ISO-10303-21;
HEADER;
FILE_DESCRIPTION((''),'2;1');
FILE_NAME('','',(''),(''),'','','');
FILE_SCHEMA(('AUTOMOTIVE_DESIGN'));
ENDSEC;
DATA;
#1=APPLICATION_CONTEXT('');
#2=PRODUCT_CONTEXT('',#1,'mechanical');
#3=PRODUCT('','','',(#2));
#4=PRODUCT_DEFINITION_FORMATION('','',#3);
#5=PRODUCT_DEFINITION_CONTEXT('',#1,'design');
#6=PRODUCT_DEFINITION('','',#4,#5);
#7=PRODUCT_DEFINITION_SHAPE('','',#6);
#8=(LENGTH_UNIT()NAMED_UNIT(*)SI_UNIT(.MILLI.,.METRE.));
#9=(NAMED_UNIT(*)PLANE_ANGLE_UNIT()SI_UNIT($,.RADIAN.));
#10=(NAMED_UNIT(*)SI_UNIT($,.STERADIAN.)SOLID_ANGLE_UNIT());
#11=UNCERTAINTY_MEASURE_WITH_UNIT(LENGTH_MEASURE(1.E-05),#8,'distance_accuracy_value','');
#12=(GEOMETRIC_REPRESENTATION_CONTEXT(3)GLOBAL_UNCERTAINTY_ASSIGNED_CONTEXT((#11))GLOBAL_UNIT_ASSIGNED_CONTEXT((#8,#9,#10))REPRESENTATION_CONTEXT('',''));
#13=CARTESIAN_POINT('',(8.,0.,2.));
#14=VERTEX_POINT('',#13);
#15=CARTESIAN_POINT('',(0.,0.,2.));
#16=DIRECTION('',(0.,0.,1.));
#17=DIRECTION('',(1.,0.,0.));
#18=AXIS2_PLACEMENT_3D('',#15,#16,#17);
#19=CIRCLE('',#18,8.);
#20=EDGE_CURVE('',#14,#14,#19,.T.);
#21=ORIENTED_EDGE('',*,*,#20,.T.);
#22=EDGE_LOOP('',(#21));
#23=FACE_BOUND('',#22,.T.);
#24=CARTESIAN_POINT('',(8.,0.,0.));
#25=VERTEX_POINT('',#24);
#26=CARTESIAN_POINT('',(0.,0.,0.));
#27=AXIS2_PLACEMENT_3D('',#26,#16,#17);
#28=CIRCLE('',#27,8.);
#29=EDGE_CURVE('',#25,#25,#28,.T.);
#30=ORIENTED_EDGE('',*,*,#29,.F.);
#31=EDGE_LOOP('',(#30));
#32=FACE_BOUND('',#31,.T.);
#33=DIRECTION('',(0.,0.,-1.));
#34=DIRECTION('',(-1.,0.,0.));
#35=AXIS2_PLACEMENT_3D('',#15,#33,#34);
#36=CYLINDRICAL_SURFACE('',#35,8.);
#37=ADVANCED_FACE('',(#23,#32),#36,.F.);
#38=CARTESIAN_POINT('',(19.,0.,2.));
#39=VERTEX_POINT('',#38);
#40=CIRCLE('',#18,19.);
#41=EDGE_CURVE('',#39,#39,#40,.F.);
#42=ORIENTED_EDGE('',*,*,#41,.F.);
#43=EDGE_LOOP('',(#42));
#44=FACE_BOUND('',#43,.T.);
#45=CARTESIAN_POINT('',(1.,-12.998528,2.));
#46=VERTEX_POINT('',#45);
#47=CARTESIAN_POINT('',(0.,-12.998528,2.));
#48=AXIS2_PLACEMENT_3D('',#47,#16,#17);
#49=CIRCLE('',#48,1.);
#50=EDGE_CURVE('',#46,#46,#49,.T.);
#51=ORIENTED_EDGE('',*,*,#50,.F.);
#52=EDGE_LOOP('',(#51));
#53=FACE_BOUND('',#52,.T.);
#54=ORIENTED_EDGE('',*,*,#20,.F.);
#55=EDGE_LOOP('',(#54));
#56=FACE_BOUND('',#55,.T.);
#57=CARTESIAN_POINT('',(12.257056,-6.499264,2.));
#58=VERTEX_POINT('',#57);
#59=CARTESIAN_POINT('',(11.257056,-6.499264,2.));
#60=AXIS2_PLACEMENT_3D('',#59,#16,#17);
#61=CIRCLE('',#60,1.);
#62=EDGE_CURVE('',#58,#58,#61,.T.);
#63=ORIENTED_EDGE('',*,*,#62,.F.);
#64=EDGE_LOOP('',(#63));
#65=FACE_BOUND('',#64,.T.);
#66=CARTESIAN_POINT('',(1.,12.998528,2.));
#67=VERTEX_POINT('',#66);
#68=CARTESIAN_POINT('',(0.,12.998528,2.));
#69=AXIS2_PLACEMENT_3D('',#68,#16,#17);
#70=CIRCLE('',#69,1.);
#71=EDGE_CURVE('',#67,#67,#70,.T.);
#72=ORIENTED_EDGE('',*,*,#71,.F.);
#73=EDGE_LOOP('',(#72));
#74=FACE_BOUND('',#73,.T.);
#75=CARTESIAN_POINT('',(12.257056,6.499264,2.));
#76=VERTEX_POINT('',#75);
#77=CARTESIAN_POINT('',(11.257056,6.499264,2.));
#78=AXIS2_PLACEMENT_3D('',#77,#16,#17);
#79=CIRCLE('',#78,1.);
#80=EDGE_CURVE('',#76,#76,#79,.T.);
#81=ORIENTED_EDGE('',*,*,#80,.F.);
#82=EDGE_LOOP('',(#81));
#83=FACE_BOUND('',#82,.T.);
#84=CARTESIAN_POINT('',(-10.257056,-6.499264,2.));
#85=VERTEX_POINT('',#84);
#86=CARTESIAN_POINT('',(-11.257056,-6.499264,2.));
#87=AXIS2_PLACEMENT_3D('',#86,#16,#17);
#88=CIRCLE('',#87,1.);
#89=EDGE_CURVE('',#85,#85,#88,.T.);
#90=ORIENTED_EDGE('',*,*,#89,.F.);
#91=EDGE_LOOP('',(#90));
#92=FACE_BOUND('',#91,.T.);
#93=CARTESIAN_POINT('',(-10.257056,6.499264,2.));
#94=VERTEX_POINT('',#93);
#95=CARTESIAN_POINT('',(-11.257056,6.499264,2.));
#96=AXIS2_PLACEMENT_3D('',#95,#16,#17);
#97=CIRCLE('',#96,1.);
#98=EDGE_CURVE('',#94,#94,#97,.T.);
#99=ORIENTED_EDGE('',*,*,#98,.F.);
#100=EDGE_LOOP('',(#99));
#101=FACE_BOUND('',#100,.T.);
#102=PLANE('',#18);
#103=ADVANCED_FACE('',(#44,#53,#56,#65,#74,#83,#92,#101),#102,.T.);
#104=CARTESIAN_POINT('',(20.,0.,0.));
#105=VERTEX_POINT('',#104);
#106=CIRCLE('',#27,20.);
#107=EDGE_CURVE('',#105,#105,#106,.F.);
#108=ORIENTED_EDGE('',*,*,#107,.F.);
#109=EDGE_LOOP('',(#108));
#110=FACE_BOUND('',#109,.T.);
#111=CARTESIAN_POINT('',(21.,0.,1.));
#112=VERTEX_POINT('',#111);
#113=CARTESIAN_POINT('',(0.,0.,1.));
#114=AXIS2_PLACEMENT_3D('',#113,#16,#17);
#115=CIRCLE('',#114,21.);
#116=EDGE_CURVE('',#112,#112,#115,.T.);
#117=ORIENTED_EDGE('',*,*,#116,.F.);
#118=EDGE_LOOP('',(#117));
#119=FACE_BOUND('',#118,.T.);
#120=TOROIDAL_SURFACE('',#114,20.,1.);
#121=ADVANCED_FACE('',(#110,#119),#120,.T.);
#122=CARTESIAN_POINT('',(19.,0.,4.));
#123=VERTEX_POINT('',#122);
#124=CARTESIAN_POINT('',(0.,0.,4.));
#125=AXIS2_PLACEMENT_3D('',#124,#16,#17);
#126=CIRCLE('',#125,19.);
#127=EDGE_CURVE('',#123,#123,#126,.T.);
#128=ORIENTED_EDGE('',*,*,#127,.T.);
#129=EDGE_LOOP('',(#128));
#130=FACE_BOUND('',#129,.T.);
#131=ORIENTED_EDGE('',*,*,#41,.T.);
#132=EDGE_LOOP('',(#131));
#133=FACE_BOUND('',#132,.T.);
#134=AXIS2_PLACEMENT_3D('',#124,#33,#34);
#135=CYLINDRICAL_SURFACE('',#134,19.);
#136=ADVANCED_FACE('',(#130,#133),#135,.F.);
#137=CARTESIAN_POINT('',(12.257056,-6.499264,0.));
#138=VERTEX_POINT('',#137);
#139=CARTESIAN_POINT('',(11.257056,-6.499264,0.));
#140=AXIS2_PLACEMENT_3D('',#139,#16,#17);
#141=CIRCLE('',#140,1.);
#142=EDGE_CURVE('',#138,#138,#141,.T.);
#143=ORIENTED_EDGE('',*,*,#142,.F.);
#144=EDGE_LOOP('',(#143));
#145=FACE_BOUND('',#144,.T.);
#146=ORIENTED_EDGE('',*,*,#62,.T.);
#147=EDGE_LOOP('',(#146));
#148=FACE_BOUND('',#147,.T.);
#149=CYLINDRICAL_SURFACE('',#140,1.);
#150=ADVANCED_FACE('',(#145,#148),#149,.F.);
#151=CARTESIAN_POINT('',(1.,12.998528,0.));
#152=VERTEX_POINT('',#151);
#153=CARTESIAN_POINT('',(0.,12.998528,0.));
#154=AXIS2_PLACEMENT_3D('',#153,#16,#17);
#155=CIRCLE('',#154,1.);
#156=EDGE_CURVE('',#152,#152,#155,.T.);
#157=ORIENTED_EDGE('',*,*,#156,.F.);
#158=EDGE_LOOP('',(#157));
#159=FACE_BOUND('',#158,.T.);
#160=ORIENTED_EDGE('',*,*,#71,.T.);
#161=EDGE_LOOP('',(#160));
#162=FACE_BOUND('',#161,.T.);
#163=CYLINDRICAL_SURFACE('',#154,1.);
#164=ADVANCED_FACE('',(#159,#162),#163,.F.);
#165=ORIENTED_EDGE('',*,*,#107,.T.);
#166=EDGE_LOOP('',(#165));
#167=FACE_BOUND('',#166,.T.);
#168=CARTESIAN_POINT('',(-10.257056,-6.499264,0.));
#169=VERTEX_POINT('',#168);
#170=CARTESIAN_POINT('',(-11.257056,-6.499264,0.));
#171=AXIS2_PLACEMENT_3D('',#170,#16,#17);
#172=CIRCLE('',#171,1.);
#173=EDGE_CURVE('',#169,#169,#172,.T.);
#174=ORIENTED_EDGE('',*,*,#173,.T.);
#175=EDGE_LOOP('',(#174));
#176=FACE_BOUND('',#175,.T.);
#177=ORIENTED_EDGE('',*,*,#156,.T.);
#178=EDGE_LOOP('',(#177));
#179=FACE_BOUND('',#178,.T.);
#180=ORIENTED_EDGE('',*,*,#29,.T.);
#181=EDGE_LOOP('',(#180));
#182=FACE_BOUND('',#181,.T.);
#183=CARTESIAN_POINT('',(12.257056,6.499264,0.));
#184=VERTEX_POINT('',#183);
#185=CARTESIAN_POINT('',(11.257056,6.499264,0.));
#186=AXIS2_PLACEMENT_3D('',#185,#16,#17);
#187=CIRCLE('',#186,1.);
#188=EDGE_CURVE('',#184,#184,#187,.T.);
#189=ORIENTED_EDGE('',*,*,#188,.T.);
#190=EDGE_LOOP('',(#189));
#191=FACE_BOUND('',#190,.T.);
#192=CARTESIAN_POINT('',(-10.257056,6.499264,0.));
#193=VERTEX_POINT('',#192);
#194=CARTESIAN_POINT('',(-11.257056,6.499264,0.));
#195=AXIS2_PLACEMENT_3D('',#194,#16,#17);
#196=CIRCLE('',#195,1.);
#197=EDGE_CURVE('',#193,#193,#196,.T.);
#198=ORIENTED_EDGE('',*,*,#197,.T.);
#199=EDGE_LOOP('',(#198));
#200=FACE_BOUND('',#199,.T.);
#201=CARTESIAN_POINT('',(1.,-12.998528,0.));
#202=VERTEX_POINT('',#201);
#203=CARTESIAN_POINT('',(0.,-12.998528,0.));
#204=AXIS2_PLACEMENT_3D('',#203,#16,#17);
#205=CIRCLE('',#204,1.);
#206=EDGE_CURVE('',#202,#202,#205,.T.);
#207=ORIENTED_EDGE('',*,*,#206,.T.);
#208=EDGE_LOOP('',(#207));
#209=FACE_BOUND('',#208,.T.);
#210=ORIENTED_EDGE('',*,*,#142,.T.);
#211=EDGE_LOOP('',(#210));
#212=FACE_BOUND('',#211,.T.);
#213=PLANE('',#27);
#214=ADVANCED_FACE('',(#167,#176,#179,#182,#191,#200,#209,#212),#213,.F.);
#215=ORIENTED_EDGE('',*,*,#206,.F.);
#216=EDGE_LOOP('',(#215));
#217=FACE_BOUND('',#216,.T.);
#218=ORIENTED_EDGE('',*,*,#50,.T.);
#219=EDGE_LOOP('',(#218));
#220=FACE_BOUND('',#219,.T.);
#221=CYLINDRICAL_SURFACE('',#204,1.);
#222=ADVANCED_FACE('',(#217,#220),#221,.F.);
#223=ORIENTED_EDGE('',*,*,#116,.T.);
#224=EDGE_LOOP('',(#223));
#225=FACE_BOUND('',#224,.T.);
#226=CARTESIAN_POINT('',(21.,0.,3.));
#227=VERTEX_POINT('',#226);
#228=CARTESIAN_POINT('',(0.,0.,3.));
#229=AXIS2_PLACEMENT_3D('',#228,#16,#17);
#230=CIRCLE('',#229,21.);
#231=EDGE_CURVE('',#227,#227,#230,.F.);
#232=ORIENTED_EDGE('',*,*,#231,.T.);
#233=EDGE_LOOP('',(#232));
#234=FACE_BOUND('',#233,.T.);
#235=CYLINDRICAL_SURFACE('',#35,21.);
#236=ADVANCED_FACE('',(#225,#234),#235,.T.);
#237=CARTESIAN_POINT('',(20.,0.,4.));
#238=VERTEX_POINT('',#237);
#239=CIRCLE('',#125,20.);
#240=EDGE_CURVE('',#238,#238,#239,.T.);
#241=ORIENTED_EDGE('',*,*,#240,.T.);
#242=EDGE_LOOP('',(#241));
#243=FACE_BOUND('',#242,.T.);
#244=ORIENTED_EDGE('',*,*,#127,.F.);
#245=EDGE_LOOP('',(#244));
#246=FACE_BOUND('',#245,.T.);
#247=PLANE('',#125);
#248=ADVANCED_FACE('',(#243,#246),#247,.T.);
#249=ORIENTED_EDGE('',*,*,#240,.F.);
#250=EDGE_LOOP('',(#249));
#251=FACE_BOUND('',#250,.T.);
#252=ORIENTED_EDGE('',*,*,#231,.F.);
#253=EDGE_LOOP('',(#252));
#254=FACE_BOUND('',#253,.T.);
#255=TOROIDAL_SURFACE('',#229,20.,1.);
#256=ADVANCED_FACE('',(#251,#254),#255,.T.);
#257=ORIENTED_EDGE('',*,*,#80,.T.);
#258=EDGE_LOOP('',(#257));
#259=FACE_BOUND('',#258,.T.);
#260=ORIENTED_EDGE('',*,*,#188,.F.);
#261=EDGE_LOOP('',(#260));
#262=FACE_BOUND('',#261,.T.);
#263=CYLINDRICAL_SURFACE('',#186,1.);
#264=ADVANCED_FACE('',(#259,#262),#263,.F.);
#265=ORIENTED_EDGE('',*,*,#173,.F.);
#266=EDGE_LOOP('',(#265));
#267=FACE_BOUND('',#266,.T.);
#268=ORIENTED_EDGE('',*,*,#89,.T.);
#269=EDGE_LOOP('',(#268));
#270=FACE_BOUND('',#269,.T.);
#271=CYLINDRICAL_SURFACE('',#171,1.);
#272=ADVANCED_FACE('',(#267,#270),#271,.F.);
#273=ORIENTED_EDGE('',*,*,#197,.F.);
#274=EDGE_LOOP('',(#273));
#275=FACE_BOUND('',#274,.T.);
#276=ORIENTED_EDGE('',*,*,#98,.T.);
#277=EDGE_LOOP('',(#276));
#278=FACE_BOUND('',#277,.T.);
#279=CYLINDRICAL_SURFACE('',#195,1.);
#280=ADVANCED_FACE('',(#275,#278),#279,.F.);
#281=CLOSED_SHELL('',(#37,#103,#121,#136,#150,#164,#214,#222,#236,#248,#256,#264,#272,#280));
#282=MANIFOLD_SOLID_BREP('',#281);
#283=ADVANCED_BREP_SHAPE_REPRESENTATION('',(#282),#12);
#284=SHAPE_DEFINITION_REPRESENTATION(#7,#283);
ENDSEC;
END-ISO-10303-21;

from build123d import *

# Parameters (mm, degrees)
SKETCH_1_R          = 21
SKETCH_1_R_2        = 8
EXTRUDE_1_DEPTH     = 2
EXTRUDE_3_DEPTH     = 4
FILLET_1_R          = 1
SKETCH_3_R          = 1
CUT_EXTRUDE_2_DEPTH = 3


with BuildPart() as part:
    # Эскиз1 → Бобышка-Вытянуть1 (new body)
    with BuildSketch(Plane.XY):
        Circle(SKETCH_1_R)
        Circle(SKETCH_1_R_2, mode=Mode.SUBTRACT)
    extrude(amount=EXTRUDE_1_DEPTH)

    # Эскиз1<5> → Бобышка-Вытянуть3 (add)
    with BuildSketch(Plane.XY):
        with BuildLine():
            ThreePointArc((0, -19), (-19, 0), (0, 19))
            Line((0, 19), (0, 21))
            ThreePointArc((0, 21), (-21, 0), (0, -21))
            Line((0, -21), (0, -19))
        make_face()
        with BuildLine():
            Line((0, 21), (0, 19))
            ThreePointArc((0, 19), (13.435028843, 13.435028843), (19, 0))
            ThreePointArc((19, 0), (13.435028843, -13.435028843), (0, -19))
            Line((0, -19), (0, -21))
            ThreePointArc((0, -21), (14.849242405, -14.849242405), (21, 0))
            ThreePointArc((21, 0), (14.849242405, 14.849242405), (0, 21))
        make_face()
    extrude(amount=EXTRUDE_3_DEPTH)

    # Скругление1
    fillet_1_edges = [part.edges().sort_by_distance(p)[0] for p in [
        (0, 21, 4),
        (-21, 0, 0),
    ]]
    fillet(fillet_1_edges, radius=FILLET_1_R)

    # Эскиз3 → Вырез-Вытянуть2 (cut, through all)
    with BuildSketch(Plane.XY.offset(2)):
        with Locations((11.257055761, 6.499264174)):
            Circle(SKETCH_3_R)
        with Locations((11.257055761, -6.499264174)):
            Circle(SKETCH_3_R)
        with Locations((0, -12.998528347)):
            Circle(SKETCH_3_R)
        with Locations((-11.257055761, -6.499264174)):
            Circle(SKETCH_3_R)
        with Locations((0, 12.998528347)):
            Circle(SKETCH_3_R)
        with Locations((-11.257055761, 6.499264174)):
            Circle(SKETCH_3_R)
    extrude(amount=-CUT_EXTRUDE_2_DEPTH, mode=Mode.SUBTRACT)


solid = part.part
